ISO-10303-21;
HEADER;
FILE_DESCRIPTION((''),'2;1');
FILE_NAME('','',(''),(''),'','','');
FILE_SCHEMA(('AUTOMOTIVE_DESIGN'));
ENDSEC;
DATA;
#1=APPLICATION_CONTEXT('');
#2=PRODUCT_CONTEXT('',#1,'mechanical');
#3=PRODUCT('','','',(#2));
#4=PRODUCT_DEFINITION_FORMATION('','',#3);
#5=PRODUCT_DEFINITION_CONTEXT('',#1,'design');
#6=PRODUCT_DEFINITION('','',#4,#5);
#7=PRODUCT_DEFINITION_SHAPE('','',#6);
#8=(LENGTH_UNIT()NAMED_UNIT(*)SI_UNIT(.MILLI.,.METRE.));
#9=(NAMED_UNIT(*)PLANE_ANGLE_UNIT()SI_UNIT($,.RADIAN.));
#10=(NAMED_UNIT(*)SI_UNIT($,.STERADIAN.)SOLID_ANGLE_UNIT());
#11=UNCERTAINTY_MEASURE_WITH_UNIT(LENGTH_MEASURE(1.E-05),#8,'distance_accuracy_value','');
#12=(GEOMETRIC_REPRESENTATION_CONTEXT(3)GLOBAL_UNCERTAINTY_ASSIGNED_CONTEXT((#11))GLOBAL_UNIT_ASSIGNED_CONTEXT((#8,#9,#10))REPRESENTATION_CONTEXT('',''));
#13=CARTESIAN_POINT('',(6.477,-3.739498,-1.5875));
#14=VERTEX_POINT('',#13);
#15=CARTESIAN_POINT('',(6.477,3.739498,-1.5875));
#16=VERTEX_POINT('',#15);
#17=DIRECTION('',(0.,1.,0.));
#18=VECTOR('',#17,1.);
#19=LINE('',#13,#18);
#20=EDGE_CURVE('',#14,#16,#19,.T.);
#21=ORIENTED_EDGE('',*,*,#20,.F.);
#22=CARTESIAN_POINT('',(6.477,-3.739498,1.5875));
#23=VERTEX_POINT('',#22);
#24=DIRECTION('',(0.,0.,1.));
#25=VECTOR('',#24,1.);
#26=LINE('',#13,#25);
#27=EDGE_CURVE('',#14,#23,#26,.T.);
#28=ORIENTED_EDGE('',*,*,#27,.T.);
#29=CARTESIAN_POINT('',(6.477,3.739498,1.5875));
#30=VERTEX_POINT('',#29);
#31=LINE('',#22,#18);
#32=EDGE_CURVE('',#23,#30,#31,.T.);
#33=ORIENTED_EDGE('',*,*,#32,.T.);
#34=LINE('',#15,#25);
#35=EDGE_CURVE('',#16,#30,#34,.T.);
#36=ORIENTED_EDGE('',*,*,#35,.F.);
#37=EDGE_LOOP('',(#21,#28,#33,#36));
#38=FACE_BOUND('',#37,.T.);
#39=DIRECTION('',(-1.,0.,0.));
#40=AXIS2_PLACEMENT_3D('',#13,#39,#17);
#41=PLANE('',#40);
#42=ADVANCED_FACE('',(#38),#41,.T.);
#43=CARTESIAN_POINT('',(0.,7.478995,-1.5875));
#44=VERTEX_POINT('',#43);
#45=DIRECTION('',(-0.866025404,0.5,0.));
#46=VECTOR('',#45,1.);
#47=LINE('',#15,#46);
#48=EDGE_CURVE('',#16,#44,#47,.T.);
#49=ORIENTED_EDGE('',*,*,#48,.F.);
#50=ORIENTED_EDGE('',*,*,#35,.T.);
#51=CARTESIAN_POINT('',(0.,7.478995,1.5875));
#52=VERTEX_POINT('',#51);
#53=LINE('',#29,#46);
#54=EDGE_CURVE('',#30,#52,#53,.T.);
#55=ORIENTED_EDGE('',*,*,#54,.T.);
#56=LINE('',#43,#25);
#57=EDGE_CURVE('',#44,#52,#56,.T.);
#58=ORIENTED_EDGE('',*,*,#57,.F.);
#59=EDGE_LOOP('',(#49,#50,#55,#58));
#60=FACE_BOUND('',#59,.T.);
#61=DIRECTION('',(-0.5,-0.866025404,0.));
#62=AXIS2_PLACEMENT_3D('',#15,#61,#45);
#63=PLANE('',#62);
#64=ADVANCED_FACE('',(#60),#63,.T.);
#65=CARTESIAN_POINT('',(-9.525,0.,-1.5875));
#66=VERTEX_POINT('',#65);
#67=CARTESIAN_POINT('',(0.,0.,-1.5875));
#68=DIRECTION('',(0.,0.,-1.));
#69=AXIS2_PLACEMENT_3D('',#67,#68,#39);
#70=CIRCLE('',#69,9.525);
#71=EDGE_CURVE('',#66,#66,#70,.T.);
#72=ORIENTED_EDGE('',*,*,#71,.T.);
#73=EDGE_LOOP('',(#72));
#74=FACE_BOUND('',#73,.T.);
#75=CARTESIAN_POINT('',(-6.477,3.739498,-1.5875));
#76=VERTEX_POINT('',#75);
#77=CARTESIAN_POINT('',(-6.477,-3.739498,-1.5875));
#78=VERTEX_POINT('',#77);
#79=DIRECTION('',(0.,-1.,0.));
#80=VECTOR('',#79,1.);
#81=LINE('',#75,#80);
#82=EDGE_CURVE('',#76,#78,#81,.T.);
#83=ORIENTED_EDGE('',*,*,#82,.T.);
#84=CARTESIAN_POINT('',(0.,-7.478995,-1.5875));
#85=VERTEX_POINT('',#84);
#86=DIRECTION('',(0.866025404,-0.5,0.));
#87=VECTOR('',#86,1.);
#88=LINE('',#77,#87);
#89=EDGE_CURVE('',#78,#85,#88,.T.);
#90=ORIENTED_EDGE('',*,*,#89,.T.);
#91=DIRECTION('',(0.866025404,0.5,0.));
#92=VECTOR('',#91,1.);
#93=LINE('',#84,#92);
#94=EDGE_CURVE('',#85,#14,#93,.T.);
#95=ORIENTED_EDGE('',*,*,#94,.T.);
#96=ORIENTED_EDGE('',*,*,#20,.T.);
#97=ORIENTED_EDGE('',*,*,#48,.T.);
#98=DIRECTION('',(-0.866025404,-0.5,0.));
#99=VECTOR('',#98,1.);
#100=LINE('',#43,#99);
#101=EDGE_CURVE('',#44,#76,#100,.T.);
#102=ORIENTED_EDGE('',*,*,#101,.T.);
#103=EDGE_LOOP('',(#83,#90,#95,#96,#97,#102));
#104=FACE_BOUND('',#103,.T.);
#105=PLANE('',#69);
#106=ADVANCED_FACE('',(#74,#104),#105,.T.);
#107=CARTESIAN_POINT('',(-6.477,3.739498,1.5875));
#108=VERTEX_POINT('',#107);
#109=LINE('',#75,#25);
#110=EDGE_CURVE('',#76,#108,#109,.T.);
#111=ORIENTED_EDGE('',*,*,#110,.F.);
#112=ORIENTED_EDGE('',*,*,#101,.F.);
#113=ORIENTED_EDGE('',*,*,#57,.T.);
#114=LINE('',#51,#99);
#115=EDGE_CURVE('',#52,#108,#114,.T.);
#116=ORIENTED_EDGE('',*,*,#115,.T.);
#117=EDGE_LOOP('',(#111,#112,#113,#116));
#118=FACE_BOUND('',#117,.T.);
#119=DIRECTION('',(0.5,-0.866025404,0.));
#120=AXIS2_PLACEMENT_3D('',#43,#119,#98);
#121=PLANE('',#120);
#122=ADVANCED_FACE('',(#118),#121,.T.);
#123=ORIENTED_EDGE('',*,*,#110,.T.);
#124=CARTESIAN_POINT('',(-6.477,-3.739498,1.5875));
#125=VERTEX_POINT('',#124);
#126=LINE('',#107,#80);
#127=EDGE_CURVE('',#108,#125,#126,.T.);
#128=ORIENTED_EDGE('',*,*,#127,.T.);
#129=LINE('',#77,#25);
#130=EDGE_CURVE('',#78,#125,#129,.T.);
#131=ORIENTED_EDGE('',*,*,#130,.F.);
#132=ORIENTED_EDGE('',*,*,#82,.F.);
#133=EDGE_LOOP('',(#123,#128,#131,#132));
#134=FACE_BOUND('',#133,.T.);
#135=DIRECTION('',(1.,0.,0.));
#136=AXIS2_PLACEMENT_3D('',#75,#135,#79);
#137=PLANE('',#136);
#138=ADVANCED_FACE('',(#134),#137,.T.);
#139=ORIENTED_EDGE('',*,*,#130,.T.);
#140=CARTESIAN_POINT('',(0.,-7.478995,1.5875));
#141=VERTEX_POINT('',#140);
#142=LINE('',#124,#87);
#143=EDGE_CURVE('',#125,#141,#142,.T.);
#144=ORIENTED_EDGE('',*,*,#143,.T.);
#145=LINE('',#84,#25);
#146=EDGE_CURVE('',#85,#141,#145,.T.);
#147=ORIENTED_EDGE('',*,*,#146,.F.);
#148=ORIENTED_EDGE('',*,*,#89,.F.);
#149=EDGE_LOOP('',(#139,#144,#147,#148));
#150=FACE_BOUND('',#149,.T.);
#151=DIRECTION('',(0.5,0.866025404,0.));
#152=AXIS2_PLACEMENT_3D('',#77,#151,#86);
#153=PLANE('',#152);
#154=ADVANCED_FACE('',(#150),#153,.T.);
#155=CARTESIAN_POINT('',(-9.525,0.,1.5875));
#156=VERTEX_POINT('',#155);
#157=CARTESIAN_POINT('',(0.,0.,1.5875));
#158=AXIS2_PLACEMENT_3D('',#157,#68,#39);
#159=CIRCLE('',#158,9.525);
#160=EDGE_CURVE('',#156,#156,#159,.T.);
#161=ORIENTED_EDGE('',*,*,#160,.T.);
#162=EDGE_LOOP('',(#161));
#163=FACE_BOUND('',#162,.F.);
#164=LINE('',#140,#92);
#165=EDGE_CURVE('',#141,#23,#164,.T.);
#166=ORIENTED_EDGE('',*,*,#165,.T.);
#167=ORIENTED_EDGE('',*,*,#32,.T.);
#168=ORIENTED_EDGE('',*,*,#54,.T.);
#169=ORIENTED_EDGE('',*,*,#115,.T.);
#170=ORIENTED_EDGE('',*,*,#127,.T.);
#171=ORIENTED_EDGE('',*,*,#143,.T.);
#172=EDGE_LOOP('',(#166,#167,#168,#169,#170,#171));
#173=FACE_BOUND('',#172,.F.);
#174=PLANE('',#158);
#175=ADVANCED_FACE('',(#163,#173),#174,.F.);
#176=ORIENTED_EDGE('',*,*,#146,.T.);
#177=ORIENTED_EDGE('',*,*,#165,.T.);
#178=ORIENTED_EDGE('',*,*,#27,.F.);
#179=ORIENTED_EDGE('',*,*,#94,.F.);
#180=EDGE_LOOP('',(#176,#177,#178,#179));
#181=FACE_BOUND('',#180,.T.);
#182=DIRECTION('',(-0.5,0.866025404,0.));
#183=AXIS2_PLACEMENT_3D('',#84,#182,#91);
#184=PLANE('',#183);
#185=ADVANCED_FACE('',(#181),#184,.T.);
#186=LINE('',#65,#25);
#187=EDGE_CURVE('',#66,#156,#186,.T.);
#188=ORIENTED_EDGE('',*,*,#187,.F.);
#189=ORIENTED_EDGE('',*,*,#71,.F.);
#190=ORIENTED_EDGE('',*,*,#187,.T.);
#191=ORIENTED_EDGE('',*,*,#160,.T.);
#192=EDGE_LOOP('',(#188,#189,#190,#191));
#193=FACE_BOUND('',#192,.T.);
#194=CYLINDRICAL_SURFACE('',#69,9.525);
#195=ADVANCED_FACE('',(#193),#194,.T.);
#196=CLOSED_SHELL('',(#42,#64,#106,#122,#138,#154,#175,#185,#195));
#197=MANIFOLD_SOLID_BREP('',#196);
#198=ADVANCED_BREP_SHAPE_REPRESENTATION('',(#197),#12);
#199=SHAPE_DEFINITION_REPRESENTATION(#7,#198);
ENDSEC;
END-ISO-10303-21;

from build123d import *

# Parameters (mm, degrees)
SKETCH1_R           = 9.525
BOSS_EXTRUDE1_DEPTH = 3.175


with BuildPart() as part:
    # Sketch1 → Boss-Extrude1 (new body)
    with BuildSketch(Plane(origin=(0, 0, -1.5875), x_dir=(-1, 0, 0), z_dir=(0, 0, -1))):
        Circle(SKETCH1_R)
        Polygon((6.477, 3.739497694), (6.477, -3.739497694), (0, -7.478995387), (-6.477, -3.739497694), (-6.477, 3.739497694), (0, 7.478995387), align=None, mode=Mode.SUBTRACT)
    extrude(amount=-BOSS_EXTRUDE1_DEPTH)


solid = part.part
